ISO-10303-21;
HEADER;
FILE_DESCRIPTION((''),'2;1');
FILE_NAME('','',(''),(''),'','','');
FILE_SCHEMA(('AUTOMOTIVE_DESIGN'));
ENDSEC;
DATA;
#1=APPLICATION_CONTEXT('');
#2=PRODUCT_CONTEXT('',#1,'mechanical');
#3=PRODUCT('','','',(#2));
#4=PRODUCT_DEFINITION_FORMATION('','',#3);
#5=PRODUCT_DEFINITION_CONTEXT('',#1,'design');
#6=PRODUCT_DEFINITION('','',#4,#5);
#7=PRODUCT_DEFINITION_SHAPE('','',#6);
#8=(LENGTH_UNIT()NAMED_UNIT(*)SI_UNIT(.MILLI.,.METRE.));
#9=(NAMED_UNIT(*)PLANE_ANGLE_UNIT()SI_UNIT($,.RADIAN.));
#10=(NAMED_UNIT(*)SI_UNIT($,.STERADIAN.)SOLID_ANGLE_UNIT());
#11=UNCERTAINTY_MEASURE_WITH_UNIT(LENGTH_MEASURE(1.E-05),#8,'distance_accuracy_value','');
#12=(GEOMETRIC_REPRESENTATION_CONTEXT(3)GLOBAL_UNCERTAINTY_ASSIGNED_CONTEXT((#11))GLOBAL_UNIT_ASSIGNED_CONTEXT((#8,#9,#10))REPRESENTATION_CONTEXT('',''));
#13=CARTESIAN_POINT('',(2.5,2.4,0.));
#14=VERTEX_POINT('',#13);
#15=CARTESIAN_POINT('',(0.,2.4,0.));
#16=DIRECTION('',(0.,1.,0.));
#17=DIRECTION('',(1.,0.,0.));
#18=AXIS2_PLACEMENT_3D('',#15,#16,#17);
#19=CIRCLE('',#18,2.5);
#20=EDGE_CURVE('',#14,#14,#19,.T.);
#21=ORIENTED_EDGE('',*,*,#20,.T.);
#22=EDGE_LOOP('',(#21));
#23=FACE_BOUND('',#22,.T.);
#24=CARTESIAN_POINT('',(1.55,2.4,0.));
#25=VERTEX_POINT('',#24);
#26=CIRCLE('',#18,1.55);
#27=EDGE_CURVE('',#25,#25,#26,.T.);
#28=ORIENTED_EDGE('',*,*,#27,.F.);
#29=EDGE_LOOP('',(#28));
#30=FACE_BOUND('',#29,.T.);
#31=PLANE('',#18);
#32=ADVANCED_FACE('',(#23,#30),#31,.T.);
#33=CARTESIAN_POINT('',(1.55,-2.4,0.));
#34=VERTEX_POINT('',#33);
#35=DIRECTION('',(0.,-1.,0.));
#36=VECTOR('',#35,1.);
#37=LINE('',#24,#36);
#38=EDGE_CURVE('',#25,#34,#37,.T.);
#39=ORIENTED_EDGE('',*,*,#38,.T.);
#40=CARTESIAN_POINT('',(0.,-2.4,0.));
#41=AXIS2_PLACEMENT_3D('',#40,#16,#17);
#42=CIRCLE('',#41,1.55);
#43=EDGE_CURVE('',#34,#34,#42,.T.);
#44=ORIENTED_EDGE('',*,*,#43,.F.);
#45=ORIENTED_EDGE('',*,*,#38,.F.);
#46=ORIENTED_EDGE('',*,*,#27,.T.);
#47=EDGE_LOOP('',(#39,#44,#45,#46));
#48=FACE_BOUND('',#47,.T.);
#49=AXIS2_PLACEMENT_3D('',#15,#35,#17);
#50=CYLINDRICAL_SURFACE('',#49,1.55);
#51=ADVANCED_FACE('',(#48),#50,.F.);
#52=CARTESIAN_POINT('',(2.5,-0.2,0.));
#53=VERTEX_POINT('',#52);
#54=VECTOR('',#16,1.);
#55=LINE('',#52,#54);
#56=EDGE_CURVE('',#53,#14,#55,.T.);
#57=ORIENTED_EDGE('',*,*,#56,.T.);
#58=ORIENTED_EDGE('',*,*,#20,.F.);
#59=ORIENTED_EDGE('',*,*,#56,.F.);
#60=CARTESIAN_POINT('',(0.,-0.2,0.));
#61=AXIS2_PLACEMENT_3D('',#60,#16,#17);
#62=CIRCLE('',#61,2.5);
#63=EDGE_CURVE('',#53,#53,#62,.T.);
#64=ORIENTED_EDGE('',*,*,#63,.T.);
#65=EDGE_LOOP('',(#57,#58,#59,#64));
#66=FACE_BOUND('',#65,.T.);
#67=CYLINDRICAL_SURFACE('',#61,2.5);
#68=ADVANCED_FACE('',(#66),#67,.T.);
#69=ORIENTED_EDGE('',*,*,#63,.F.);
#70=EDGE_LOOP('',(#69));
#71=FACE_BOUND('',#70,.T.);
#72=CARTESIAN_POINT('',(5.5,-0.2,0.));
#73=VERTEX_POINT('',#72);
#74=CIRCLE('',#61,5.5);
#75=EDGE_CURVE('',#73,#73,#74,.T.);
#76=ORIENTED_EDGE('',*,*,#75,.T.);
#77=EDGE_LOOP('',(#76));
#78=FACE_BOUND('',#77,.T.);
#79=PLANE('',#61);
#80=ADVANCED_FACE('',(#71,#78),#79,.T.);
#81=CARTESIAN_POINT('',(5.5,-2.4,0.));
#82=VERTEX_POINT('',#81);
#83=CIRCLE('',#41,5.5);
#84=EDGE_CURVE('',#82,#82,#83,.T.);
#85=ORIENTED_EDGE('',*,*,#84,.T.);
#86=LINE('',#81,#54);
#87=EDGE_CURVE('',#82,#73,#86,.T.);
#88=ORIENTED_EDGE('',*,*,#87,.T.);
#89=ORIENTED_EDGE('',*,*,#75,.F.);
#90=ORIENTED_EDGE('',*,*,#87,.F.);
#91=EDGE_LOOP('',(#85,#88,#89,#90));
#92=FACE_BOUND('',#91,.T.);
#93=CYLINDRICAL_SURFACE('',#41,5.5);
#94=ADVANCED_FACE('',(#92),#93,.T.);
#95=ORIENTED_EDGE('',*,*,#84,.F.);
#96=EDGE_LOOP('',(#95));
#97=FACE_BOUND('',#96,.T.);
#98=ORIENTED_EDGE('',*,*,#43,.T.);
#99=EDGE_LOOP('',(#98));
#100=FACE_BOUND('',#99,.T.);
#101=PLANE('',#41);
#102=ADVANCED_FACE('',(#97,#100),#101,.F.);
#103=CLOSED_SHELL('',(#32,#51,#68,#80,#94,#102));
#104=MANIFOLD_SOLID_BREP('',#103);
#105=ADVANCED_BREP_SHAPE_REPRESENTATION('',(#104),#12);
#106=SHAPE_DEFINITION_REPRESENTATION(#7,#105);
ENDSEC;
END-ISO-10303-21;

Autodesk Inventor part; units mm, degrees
ref_plane "YZ Plane" through (0, 0, 0) normal (1, 0, 0) x (0, 1, 0)
ref_plane "XZ Plane" through (0, 0, 0) normal (0, 1, 0) x (-1, 0, 0)
ref_plane "XY Plane" through (0, 0, 0) normal (0, 0, 1) x (1, 0, 0)
sketch "スケッチ1" plane through (0, 0, 0) normal (0, 0, 1) x (1, 0, 0)
  line L0 (1.55, 2.4) -> (1.55, -2.4)
  line L1 (1.55, -2.4) -> (5.5, -2.4)
  line L2 (5.5, -2.4) -> (5.5, -0.2)
  line L3 (5.5, -0.2) -> (2.5, -0.2)
  line L4 (2.5, -0.2) -> (2.5, 2.4)
  line L5 (2.5, 2.4) -> (1.55, 2.4)
  line L6 (0, -3.36) -> (0, 3.36) projected
  point P0 (0, 0)
  point P1 (1.55, 0)
  dimension "d0" = 1.55
  dimension "d1" = 2.5
  dimension "d2" = 2.6
  dimension "d3" = 2.2
  dimension "d4" = 5.5
revolve "回転1" add sketch "スケッチ1" angle 360 about axis through (0, -10, 0) along (0, 1, 0)
properties part number "付け根_フリー軸_1_2" material "アセタール樹脂、黒"
